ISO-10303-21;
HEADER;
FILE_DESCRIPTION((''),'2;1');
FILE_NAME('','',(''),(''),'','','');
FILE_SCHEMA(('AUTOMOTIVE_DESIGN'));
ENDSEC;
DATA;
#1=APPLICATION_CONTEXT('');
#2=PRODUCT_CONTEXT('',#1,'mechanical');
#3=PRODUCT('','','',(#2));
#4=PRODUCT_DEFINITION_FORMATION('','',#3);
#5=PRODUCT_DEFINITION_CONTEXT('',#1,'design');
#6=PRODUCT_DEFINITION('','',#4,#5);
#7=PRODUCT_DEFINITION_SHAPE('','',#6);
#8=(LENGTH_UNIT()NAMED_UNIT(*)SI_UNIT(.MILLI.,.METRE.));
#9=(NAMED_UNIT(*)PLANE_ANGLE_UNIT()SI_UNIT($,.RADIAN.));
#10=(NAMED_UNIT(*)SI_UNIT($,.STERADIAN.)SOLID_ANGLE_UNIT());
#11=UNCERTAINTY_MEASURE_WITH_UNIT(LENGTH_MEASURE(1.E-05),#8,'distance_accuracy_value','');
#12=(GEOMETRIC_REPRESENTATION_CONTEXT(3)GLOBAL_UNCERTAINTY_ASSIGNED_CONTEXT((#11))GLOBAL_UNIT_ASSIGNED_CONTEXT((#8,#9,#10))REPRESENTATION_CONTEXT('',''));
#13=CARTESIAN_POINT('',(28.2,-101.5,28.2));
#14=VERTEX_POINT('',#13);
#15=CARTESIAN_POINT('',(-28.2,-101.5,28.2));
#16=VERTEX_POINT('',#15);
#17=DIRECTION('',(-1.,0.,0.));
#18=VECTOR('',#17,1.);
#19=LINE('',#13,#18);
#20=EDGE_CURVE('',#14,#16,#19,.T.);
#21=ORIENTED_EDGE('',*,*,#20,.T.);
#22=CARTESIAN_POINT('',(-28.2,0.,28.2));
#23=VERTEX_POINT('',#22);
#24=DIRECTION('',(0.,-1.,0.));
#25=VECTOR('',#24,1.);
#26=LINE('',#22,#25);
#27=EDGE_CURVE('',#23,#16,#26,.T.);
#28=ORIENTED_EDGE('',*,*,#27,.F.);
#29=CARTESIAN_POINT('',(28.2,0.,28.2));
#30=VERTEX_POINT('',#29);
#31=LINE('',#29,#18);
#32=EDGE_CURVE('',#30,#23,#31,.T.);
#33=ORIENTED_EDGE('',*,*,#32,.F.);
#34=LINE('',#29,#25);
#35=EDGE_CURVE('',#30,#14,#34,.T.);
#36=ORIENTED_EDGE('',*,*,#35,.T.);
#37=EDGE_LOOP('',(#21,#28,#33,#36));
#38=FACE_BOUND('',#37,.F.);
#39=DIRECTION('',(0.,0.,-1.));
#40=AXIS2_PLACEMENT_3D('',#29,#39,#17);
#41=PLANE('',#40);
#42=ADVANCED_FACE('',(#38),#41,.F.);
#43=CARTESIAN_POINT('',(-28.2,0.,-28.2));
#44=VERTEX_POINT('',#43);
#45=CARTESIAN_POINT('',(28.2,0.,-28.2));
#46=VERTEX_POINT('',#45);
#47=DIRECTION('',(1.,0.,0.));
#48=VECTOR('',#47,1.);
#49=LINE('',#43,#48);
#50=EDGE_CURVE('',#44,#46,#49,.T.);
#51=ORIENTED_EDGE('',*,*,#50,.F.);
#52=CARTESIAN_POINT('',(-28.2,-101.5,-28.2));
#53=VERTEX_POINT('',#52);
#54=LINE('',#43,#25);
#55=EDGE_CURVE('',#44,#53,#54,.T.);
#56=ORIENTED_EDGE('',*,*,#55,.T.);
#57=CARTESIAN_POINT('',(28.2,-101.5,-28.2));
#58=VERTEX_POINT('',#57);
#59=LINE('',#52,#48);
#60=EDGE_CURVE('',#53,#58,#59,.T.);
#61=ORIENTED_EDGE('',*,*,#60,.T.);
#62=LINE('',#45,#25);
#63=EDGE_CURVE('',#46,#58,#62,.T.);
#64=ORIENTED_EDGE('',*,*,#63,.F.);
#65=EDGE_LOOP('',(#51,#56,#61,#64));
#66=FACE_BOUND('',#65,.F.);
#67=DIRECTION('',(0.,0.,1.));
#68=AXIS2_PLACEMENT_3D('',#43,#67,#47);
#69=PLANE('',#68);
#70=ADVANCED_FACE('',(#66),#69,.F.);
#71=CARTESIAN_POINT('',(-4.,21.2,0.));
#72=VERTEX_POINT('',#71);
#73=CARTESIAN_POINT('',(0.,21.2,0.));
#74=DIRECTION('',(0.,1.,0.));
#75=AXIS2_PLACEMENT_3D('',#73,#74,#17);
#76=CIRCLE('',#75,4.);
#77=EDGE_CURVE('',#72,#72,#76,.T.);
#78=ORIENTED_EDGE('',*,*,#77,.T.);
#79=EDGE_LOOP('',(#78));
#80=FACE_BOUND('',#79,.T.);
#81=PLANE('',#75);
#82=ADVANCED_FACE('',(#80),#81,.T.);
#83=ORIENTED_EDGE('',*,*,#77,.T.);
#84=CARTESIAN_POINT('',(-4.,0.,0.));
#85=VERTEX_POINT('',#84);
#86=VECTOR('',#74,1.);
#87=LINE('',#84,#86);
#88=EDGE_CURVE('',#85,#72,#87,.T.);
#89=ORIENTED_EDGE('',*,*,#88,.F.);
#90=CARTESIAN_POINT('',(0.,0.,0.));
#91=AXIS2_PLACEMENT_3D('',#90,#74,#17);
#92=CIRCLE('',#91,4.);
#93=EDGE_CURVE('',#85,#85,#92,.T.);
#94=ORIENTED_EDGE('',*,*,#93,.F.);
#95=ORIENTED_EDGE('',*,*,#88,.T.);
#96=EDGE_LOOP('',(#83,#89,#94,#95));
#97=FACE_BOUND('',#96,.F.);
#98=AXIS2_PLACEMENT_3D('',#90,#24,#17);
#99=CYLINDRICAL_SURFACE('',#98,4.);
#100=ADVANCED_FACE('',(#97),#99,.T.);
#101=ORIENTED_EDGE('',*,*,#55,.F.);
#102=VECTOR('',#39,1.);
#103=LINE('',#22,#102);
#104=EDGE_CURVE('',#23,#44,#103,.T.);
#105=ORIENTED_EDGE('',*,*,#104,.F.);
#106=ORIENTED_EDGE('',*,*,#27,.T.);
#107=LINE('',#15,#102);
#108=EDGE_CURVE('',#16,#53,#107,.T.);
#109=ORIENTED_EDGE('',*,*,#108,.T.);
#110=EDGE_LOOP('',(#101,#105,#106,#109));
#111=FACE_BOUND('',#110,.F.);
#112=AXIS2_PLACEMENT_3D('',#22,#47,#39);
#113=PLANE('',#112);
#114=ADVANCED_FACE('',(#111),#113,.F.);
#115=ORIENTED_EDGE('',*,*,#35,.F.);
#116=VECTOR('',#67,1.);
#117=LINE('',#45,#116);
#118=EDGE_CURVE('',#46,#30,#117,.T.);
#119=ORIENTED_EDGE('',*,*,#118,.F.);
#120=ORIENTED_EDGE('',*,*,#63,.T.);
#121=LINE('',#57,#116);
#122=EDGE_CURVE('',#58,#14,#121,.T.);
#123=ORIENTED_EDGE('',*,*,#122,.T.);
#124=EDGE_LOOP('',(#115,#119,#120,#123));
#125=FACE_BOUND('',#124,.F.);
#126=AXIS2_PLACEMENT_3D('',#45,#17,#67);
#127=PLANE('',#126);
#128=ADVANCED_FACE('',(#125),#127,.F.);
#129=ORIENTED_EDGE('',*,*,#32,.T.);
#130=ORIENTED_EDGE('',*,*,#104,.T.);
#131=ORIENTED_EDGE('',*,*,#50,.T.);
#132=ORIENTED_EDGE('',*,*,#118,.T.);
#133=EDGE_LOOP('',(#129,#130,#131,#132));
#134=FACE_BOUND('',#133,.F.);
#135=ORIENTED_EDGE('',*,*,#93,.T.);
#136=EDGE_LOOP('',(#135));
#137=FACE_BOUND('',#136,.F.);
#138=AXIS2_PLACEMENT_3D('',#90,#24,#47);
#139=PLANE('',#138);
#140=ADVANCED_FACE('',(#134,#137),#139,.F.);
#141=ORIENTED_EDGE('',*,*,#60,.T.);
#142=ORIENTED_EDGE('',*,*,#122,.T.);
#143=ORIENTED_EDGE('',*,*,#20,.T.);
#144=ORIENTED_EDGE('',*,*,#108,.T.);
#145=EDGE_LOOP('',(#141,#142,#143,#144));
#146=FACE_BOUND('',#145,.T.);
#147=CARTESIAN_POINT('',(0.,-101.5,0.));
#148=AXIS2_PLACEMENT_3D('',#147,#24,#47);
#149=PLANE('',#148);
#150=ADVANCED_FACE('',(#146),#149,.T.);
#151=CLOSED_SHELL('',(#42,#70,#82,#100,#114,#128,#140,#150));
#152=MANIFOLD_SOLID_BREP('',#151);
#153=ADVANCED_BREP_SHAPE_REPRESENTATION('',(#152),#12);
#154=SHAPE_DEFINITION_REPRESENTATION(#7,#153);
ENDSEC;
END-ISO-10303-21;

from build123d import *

# Parameters (mm, degrees)
F1_DEPTH = 101.5
F2_R     = 4
F3_DEPTH = 21.2


with BuildPart() as f1:
    # F0 (on Front) → F1 (new body)
    with BuildSketch(Plane.XZ):
        Polygon((-28.2, 28.2), (-28.2, 0), (-28.2, -28.2), (0, -28.2), (28.2, -28.2), (28.2, 0), (28.2, 28.2), (0, 28.2), align=None)
    extrude(amount=F1_DEPTH)

    # F2 (on face) → F3 (join)
    with BuildSketch(Plane(origin=(0, 0, 0), x_dir=(-1, 0, 0), z_dir=(0, 1, 0))):
        Circle(F2_R)
    extrude(amount=F3_DEPTH)


solid = f1.part
